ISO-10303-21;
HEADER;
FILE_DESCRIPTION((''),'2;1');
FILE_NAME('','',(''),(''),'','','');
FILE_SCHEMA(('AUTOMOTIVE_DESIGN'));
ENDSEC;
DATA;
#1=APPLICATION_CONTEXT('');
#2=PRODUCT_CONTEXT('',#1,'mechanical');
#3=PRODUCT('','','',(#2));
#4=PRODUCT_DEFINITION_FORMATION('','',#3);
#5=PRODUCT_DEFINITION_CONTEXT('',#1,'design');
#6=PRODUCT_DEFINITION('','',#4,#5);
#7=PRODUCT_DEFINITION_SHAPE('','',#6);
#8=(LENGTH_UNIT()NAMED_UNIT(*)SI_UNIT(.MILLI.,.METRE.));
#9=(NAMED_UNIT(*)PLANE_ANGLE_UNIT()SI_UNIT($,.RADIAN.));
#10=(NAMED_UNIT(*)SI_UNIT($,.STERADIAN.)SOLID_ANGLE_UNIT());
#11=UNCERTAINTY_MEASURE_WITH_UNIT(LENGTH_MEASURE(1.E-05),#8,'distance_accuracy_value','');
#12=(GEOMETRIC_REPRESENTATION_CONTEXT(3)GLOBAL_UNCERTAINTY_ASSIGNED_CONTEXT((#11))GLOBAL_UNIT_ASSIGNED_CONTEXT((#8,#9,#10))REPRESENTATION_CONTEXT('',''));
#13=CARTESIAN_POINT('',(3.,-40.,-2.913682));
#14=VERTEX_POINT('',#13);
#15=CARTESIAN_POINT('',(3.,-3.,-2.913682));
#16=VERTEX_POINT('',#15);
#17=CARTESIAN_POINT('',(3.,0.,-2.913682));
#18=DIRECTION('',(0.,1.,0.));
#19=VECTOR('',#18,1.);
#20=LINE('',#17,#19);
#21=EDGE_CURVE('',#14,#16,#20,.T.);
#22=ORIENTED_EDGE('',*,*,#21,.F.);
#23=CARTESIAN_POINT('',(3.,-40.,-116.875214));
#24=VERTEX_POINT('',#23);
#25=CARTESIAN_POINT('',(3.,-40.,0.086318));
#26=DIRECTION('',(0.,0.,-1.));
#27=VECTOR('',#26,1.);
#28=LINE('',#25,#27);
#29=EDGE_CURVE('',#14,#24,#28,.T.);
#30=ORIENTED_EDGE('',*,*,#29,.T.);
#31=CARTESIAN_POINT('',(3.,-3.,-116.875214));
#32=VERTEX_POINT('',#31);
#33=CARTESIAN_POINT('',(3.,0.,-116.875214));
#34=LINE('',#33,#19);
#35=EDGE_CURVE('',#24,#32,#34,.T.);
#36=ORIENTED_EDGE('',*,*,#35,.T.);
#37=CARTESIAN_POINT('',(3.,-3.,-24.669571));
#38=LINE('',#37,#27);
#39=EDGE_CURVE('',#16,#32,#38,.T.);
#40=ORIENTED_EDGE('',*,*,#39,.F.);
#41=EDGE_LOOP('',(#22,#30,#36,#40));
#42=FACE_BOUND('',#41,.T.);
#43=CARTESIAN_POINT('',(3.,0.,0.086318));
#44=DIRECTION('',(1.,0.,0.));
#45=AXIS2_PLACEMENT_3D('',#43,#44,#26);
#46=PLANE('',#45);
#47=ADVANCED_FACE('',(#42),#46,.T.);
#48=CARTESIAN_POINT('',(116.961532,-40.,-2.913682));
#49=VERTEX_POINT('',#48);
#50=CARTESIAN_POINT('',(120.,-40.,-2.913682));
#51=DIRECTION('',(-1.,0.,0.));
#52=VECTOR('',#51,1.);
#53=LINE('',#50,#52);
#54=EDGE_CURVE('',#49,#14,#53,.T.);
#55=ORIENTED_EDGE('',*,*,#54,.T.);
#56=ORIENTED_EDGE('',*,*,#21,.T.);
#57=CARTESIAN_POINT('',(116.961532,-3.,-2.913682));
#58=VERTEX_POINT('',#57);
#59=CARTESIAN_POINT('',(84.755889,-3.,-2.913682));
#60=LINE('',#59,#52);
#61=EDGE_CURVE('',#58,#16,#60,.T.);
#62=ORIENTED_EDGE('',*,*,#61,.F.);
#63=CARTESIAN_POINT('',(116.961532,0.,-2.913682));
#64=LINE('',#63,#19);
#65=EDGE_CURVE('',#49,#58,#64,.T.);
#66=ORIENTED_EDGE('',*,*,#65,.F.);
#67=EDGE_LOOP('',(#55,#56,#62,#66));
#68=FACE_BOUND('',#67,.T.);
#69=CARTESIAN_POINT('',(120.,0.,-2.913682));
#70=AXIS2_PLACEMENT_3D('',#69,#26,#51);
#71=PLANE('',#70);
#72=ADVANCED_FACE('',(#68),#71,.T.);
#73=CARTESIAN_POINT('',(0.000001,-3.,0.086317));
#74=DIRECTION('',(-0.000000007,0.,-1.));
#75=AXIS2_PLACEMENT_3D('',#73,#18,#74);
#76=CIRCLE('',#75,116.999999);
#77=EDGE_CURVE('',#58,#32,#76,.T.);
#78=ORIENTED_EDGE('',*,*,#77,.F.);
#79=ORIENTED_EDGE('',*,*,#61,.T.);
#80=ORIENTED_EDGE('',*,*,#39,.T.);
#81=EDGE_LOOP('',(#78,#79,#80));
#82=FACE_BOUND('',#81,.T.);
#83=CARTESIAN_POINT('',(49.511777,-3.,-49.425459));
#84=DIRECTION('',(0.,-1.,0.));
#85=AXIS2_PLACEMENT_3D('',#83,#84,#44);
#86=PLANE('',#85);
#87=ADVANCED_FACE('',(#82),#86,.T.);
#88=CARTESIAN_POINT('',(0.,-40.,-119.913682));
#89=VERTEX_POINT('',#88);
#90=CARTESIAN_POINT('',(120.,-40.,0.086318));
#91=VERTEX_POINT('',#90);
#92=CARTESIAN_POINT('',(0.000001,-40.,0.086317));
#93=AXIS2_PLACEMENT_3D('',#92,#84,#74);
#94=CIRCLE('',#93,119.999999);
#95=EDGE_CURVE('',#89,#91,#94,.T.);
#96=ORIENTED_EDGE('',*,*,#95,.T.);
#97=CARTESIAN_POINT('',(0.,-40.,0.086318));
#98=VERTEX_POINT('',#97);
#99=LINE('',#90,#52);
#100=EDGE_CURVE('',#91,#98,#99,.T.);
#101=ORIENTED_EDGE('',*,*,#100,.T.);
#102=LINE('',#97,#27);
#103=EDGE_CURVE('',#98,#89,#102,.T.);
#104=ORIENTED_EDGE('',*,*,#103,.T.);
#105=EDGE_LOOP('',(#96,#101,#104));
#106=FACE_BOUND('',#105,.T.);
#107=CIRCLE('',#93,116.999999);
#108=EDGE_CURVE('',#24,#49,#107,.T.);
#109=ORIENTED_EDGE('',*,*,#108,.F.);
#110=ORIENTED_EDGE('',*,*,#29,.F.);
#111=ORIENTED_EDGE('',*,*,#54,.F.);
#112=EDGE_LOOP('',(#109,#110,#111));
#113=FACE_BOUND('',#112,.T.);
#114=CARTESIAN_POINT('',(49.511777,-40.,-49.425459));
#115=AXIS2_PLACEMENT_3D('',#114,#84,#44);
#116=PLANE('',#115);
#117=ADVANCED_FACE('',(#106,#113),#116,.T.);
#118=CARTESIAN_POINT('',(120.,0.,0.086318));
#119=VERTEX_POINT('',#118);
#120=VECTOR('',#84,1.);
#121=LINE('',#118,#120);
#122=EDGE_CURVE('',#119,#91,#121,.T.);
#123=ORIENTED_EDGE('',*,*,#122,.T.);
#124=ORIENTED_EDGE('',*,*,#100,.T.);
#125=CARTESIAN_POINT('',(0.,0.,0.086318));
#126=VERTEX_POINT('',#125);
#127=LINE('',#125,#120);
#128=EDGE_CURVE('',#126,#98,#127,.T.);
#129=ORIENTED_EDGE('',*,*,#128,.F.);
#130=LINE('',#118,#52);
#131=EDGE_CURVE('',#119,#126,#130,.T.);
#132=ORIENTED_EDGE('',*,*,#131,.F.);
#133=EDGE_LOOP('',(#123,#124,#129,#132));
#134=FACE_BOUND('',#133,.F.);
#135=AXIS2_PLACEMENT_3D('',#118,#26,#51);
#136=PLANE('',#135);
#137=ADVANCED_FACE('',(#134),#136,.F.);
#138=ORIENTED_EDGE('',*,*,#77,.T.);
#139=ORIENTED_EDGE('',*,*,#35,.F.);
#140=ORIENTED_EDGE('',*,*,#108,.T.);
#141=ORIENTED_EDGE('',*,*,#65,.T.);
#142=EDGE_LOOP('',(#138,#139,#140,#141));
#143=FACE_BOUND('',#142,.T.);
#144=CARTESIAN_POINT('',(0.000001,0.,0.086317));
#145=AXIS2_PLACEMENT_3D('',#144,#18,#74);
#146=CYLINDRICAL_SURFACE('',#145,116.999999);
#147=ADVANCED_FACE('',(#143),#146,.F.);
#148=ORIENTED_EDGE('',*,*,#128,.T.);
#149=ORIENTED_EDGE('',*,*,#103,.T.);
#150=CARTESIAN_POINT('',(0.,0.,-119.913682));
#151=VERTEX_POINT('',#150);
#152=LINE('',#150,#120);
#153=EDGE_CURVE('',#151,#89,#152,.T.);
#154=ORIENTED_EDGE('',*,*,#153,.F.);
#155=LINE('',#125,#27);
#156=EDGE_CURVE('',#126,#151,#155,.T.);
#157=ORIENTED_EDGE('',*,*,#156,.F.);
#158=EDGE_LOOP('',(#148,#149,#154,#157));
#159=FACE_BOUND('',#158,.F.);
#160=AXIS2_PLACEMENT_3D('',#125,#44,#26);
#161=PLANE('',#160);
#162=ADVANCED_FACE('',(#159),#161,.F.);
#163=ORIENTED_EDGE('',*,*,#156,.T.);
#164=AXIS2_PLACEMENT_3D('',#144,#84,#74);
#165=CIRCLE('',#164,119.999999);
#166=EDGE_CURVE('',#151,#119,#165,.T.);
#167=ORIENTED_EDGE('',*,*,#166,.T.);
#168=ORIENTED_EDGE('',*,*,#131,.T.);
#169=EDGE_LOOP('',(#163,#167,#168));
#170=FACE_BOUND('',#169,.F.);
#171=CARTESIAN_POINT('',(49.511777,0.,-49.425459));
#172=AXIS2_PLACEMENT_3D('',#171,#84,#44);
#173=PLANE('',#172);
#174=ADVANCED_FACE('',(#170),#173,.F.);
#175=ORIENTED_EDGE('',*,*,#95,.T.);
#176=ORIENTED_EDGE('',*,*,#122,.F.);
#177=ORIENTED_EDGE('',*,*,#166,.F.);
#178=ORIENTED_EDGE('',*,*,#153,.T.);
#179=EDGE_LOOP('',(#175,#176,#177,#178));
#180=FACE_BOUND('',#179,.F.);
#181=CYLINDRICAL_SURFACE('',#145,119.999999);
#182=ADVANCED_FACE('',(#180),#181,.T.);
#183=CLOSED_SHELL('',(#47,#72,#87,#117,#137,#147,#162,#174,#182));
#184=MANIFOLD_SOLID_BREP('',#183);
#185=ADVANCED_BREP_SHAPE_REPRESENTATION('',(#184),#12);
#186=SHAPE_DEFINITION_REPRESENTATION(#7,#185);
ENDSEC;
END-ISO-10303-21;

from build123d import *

# Parameters (mm, degrees)
F1_DEPTH = 40
F2_T     = -3


with BuildPart() as f1:
    # F0 (on Front) → F1 (new body)
    with BuildSketch(Plane.XZ):
        with BuildLine():
            Line((0, 0.086318), (0, -119.913682))
            ThreePointArc((0, -119.913682), (84.852814, -84.766496), (120, 0.086318))
            Line((120, 0.086318), (0, 0.086318))
        make_face()
    extrude(amount=F1_DEPTH)

    # F2
    f2_openings = [f1.faces().sort_by_distance(p)[0] for p in [
        (50.929582, -40, -50.843264),
    ]]
    offset(amount=F2_T, openings=f2_openings)


solid = f1.part
